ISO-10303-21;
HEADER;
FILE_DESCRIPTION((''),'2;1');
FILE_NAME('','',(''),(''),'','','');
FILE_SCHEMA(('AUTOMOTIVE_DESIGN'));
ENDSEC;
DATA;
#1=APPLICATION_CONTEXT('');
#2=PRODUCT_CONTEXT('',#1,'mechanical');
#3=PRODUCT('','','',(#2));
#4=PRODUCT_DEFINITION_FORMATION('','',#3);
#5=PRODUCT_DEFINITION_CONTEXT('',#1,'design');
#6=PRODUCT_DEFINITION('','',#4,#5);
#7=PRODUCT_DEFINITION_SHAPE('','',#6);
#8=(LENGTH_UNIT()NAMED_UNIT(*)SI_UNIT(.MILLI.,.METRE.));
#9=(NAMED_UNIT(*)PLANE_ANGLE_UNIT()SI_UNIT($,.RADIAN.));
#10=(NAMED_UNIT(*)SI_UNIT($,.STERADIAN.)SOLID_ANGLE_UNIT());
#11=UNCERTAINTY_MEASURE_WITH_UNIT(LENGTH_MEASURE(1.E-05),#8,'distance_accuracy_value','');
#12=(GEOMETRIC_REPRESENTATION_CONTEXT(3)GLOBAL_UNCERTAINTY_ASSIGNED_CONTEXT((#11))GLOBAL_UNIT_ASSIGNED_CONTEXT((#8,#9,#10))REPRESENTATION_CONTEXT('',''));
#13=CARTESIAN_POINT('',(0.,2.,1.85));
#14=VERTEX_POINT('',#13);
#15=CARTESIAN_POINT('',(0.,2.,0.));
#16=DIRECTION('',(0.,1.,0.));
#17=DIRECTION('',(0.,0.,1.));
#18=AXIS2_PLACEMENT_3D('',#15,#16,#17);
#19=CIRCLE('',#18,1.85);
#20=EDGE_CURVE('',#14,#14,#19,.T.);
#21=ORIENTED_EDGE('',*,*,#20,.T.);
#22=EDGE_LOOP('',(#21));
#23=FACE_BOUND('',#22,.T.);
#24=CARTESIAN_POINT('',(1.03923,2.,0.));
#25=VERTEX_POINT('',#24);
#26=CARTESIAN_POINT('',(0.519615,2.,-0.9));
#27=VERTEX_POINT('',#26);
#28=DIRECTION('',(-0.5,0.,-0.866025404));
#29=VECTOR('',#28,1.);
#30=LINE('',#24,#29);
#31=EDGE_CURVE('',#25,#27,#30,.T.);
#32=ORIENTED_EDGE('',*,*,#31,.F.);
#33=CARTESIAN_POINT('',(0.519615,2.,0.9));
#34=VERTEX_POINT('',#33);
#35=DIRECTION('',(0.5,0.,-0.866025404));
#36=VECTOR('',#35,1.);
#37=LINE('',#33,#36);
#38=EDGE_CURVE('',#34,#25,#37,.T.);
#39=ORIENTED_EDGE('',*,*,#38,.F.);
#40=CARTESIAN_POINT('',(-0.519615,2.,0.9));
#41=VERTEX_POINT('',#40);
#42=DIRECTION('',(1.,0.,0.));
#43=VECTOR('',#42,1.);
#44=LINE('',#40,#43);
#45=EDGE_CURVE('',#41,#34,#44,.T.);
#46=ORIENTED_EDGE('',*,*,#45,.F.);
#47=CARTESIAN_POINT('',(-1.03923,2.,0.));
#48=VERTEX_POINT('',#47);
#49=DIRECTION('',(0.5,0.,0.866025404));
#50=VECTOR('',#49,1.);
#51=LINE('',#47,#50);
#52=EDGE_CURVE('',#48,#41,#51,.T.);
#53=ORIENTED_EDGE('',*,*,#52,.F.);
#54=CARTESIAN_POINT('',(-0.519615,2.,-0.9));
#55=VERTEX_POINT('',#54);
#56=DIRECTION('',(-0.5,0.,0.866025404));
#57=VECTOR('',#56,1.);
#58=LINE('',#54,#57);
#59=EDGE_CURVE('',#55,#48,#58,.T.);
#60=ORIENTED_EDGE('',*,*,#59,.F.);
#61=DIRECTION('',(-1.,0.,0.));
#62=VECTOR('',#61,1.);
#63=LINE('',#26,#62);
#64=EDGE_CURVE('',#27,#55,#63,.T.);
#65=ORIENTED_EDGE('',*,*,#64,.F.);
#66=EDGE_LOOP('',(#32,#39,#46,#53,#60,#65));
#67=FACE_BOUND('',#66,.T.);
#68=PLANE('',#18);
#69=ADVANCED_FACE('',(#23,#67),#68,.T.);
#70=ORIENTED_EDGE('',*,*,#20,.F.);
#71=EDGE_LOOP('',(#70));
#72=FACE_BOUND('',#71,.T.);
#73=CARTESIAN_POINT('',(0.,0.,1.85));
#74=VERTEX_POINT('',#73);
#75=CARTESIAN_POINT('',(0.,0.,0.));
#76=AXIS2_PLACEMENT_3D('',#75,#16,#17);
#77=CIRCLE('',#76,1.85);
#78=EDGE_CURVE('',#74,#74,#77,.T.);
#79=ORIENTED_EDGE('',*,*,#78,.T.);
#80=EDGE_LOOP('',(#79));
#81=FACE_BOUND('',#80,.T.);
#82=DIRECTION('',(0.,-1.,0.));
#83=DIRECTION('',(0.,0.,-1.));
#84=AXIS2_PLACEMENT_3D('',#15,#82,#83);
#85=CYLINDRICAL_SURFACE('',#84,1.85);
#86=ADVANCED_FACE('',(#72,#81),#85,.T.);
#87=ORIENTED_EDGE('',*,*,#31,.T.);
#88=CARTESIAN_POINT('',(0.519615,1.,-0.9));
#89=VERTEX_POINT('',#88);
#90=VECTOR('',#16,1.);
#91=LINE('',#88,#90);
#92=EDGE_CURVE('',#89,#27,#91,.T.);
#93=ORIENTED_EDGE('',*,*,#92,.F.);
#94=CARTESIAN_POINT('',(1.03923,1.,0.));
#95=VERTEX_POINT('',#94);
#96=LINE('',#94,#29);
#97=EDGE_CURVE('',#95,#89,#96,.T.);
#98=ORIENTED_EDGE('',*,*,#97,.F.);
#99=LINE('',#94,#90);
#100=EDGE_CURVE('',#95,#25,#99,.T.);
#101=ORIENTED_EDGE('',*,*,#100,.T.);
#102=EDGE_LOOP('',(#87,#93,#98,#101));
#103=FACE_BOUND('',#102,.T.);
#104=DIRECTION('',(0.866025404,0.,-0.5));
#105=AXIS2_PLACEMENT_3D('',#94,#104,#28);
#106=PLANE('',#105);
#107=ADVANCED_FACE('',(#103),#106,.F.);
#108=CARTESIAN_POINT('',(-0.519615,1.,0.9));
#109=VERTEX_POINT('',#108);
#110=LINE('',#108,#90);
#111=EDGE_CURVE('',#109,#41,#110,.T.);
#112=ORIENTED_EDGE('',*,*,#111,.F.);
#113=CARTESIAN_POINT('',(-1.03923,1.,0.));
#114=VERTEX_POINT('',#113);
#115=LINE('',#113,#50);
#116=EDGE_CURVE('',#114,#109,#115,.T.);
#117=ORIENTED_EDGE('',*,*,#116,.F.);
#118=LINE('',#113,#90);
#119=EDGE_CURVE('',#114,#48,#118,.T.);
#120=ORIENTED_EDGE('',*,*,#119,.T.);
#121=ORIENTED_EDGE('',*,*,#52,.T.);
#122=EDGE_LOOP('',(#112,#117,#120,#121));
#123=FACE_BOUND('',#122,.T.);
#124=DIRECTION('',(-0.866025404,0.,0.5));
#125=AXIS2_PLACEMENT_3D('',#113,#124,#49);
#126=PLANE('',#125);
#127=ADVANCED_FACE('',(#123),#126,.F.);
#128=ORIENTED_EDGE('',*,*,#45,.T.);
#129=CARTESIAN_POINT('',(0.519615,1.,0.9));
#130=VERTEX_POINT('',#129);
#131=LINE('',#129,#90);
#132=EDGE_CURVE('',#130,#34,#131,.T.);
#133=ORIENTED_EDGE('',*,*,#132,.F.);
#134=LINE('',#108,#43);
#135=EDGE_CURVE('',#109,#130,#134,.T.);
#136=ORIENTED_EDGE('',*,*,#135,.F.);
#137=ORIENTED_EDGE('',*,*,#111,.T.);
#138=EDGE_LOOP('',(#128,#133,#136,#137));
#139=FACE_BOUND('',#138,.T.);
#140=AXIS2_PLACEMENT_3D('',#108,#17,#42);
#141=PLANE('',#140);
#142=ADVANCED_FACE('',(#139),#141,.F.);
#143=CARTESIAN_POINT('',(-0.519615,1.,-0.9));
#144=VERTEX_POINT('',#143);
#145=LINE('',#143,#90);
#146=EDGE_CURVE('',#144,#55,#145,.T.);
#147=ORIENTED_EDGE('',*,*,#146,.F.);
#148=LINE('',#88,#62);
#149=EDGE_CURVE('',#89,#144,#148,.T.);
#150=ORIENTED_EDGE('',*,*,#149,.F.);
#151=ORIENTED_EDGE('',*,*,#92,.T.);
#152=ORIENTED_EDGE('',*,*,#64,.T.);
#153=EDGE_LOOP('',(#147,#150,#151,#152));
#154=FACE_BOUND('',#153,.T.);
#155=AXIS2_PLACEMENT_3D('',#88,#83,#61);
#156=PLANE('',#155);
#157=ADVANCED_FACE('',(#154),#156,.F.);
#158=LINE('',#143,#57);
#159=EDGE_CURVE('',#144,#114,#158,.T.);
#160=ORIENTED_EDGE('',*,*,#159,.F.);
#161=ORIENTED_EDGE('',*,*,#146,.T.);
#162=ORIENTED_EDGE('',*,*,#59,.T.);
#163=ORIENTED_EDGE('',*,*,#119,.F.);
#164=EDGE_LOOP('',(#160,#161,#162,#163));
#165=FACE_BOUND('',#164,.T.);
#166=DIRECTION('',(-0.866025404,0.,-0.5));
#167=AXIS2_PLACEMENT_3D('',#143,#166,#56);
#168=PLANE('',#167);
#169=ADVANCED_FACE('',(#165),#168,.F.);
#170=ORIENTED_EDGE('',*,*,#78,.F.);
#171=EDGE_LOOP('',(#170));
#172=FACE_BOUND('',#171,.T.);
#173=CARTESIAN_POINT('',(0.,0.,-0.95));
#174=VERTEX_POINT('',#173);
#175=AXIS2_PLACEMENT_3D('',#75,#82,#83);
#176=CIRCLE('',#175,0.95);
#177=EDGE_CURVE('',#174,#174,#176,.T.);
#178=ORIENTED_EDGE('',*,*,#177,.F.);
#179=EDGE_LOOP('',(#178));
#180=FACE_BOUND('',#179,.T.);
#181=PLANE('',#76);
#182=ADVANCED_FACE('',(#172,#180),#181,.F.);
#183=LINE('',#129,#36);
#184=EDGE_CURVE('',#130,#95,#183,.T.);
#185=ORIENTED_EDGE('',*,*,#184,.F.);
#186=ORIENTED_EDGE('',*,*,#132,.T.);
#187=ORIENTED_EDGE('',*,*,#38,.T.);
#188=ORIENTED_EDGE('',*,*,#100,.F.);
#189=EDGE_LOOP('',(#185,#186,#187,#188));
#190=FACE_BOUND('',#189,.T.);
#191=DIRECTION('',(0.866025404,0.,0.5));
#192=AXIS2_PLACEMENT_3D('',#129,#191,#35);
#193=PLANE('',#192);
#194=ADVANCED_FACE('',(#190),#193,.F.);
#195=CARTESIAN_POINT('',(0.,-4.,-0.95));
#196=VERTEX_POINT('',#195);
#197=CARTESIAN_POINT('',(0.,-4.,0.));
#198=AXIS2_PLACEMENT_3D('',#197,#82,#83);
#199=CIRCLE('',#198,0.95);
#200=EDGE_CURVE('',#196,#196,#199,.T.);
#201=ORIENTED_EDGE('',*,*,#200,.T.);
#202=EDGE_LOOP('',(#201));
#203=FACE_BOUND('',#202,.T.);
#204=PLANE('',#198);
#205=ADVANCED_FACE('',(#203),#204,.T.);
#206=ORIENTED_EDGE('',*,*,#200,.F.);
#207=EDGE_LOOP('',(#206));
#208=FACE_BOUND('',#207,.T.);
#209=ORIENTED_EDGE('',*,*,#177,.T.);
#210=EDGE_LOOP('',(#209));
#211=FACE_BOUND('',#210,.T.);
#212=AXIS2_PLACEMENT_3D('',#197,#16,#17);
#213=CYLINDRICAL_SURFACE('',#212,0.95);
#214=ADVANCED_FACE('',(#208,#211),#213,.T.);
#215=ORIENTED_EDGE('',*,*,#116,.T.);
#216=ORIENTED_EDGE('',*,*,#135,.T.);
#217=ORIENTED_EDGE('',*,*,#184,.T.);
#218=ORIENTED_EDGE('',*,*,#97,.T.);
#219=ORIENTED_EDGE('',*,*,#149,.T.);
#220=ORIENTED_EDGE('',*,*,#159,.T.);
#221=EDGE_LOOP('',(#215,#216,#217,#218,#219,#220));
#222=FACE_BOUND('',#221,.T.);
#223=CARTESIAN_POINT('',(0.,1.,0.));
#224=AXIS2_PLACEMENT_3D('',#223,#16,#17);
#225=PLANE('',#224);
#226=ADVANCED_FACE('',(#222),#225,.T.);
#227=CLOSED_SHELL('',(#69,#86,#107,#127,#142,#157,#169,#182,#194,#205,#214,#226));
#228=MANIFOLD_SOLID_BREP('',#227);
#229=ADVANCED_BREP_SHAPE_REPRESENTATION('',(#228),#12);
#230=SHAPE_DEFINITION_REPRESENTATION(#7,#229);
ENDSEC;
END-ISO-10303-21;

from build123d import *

# Parameters (mm, degrees)
SKETCH1_R           = 1.85
BOSS_EXTRUDE1_DEPTH = 2
CUT_EXTRUDE1_DEPTH  = 1
SKETCH3_R           = 0.95
BOSS_EXTRUDE2_DEPTH = 4


with BuildPart() as part:
    # Sketch1 → Boss-Extrude1 (new body)
    with BuildSketch(Plane(origin=(0, 0, 0), x_dir=(1, 0, 0), z_dir=(0, 1, 0))):
        with Locations(Location((0, 0, 0), (0, 0, 270))):
            Circle(SKETCH1_R)
    extrude(amount=BOSS_EXTRUDE1_DEPTH)

    # Sketch2 → Cut-Extrude1 (cut)
    with BuildSketch(Plane(origin=(0, 2, 0), x_dir=(1, 0, 0), z_dir=(0, 1, 0))):
        Polygon((1.039230485, 0), (0.519615242, 0.9), (-0.519615242, 0.9), (-1.039230485, 0), (-0.519615242, -0.9), (0.519615242, -0.9), align=None)
    extrude(amount=-CUT_EXTRUDE1_DEPTH, mode=Mode.SUBTRACT)

    # Sketch3 → Boss-Extrude2 (add)
    with BuildSketch(Plane.XZ):
        with Locations(Location((0, 0, 0), (0, 0, 270))):
            Circle(SKETCH3_R)
    extrude(amount=BOSS_EXTRUDE2_DEPTH)


solid = part.part
